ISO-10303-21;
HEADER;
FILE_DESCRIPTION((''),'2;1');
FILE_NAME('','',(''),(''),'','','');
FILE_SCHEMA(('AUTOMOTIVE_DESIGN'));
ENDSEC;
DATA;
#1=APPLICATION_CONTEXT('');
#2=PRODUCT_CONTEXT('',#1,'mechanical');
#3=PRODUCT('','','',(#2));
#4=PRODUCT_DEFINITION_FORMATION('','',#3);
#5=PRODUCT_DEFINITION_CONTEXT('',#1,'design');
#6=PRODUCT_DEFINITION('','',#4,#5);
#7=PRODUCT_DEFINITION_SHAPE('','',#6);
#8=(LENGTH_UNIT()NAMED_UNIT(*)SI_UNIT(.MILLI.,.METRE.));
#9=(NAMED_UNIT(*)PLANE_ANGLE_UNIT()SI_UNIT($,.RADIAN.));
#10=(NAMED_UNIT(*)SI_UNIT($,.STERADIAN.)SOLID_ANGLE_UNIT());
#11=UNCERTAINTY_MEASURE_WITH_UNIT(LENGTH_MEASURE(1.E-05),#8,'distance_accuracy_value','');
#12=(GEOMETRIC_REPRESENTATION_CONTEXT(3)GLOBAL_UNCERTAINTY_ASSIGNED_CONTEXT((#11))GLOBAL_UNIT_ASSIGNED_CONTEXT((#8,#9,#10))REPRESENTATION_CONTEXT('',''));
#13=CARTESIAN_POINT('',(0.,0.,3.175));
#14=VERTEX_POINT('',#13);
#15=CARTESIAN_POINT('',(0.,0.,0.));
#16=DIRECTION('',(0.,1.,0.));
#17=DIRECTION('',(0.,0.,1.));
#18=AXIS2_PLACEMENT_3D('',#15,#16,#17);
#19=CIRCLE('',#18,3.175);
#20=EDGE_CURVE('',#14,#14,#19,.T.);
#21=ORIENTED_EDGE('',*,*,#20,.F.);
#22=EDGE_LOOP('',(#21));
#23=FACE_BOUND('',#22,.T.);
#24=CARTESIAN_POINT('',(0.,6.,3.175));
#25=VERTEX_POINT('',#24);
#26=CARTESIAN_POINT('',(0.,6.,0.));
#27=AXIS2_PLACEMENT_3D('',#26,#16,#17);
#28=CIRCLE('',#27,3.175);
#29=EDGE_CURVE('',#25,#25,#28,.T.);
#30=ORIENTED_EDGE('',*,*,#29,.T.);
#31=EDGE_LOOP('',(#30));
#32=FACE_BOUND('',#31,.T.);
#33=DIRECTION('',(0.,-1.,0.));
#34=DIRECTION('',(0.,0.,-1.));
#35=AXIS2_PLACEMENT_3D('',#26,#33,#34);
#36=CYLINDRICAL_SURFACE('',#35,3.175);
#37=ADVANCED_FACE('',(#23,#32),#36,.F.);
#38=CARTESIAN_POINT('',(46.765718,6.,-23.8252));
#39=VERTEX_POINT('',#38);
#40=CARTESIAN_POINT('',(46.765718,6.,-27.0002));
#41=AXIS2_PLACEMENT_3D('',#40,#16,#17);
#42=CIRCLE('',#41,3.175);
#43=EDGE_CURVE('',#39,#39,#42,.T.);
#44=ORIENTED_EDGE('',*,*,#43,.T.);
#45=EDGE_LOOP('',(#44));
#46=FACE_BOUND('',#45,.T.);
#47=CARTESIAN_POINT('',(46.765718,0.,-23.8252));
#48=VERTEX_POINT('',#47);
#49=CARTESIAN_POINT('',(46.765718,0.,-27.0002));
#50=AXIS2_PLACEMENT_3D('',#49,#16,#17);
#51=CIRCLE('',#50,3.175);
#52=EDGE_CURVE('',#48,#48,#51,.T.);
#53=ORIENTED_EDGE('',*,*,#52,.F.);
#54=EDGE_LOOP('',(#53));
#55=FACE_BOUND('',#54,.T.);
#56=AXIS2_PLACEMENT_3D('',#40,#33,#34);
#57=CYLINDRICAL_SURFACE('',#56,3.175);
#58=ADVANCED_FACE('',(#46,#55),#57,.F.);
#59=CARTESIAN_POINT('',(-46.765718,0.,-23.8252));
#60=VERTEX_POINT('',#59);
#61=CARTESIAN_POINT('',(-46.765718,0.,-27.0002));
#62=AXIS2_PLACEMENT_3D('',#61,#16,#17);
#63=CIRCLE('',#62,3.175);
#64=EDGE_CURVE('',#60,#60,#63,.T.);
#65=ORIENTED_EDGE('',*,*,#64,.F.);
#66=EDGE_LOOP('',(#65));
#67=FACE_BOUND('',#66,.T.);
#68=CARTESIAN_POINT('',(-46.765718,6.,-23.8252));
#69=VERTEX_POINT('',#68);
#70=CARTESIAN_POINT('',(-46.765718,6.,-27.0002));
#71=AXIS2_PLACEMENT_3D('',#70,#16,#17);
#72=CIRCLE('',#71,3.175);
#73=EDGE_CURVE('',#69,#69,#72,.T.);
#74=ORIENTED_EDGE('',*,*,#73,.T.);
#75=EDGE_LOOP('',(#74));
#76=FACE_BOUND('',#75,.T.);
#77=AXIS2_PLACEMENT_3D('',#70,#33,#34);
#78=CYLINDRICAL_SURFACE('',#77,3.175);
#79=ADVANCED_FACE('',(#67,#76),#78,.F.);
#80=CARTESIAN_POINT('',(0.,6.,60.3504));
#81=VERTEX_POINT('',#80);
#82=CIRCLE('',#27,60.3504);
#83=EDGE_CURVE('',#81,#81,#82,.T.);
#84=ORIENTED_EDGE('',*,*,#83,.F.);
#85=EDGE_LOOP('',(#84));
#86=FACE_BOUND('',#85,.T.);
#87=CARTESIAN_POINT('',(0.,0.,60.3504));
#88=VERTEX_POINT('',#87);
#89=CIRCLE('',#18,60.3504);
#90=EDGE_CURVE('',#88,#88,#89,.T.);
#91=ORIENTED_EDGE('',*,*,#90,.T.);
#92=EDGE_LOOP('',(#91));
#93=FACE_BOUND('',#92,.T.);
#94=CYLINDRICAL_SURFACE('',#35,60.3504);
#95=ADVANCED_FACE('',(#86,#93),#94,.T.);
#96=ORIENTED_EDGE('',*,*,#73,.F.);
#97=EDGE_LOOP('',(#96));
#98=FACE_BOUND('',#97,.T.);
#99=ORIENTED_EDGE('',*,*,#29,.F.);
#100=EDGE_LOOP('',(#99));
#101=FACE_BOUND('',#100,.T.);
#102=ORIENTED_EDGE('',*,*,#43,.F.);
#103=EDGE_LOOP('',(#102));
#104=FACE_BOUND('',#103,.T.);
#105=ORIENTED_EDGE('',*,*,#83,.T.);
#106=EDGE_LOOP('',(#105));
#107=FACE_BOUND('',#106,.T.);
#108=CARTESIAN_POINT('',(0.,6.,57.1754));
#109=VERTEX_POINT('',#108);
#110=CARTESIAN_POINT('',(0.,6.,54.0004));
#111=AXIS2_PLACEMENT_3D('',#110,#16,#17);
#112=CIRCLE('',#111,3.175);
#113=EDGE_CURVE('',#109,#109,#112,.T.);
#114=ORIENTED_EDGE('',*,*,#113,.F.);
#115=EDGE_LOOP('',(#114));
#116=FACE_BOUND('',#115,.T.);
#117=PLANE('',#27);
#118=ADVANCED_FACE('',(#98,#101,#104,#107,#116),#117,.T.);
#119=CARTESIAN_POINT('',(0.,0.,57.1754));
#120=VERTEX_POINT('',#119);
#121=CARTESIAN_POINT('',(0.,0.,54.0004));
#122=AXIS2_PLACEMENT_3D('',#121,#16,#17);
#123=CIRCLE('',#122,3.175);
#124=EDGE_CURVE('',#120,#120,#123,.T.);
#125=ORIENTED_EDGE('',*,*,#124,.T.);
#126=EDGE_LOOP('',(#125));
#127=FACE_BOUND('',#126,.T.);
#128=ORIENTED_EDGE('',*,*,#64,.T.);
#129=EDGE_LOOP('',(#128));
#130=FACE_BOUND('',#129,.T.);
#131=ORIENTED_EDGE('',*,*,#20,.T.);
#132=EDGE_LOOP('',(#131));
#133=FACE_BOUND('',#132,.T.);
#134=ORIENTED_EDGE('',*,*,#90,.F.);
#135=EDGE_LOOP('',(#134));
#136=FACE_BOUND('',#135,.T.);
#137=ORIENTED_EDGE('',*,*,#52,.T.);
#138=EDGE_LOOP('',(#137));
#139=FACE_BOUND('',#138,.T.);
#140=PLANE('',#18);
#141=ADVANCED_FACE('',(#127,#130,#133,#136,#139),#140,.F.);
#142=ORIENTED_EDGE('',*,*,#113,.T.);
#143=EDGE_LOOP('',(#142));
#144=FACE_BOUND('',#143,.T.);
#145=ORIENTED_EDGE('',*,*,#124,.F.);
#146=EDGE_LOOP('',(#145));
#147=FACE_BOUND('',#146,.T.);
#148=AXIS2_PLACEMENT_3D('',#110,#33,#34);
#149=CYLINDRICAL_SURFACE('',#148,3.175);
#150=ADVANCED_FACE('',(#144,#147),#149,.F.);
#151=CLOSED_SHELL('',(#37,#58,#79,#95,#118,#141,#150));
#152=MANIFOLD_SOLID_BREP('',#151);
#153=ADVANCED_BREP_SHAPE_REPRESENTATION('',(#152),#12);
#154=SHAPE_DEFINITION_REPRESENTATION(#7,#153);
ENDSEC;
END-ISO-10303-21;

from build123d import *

# Parameters (mm, degrees)
SKETCH1_R           = 60.3504
SKETCH1_R_2         = 3.175
BOSS_EXTRUDE1_DEPTH = 6


with BuildPart() as part:
    # Sketch1 → Boss-Extrude1 (new body)
    with BuildSketch(Plane(origin=(0, 0, 0), x_dir=(1, 0, 0), z_dir=(0, 1, 0))):
        Circle(SKETCH1_R)
        Circle(SKETCH1_R_2, mode=Mode.SUBTRACT)
        with Locations((0, -54.0004)):
            Circle(SKETCH1_R_2, mode=Mode.SUBTRACT)
        with Locations((-46.765718215, 27.0002)):
            Circle(SKETCH1_R_2, mode=Mode.SUBTRACT)
        with Locations((46.765718215, 27.0002)):
            Circle(SKETCH1_R_2, mode=Mode.SUBTRACT)
    extrude(amount=BOSS_EXTRUDE1_DEPTH)


solid = part.part
